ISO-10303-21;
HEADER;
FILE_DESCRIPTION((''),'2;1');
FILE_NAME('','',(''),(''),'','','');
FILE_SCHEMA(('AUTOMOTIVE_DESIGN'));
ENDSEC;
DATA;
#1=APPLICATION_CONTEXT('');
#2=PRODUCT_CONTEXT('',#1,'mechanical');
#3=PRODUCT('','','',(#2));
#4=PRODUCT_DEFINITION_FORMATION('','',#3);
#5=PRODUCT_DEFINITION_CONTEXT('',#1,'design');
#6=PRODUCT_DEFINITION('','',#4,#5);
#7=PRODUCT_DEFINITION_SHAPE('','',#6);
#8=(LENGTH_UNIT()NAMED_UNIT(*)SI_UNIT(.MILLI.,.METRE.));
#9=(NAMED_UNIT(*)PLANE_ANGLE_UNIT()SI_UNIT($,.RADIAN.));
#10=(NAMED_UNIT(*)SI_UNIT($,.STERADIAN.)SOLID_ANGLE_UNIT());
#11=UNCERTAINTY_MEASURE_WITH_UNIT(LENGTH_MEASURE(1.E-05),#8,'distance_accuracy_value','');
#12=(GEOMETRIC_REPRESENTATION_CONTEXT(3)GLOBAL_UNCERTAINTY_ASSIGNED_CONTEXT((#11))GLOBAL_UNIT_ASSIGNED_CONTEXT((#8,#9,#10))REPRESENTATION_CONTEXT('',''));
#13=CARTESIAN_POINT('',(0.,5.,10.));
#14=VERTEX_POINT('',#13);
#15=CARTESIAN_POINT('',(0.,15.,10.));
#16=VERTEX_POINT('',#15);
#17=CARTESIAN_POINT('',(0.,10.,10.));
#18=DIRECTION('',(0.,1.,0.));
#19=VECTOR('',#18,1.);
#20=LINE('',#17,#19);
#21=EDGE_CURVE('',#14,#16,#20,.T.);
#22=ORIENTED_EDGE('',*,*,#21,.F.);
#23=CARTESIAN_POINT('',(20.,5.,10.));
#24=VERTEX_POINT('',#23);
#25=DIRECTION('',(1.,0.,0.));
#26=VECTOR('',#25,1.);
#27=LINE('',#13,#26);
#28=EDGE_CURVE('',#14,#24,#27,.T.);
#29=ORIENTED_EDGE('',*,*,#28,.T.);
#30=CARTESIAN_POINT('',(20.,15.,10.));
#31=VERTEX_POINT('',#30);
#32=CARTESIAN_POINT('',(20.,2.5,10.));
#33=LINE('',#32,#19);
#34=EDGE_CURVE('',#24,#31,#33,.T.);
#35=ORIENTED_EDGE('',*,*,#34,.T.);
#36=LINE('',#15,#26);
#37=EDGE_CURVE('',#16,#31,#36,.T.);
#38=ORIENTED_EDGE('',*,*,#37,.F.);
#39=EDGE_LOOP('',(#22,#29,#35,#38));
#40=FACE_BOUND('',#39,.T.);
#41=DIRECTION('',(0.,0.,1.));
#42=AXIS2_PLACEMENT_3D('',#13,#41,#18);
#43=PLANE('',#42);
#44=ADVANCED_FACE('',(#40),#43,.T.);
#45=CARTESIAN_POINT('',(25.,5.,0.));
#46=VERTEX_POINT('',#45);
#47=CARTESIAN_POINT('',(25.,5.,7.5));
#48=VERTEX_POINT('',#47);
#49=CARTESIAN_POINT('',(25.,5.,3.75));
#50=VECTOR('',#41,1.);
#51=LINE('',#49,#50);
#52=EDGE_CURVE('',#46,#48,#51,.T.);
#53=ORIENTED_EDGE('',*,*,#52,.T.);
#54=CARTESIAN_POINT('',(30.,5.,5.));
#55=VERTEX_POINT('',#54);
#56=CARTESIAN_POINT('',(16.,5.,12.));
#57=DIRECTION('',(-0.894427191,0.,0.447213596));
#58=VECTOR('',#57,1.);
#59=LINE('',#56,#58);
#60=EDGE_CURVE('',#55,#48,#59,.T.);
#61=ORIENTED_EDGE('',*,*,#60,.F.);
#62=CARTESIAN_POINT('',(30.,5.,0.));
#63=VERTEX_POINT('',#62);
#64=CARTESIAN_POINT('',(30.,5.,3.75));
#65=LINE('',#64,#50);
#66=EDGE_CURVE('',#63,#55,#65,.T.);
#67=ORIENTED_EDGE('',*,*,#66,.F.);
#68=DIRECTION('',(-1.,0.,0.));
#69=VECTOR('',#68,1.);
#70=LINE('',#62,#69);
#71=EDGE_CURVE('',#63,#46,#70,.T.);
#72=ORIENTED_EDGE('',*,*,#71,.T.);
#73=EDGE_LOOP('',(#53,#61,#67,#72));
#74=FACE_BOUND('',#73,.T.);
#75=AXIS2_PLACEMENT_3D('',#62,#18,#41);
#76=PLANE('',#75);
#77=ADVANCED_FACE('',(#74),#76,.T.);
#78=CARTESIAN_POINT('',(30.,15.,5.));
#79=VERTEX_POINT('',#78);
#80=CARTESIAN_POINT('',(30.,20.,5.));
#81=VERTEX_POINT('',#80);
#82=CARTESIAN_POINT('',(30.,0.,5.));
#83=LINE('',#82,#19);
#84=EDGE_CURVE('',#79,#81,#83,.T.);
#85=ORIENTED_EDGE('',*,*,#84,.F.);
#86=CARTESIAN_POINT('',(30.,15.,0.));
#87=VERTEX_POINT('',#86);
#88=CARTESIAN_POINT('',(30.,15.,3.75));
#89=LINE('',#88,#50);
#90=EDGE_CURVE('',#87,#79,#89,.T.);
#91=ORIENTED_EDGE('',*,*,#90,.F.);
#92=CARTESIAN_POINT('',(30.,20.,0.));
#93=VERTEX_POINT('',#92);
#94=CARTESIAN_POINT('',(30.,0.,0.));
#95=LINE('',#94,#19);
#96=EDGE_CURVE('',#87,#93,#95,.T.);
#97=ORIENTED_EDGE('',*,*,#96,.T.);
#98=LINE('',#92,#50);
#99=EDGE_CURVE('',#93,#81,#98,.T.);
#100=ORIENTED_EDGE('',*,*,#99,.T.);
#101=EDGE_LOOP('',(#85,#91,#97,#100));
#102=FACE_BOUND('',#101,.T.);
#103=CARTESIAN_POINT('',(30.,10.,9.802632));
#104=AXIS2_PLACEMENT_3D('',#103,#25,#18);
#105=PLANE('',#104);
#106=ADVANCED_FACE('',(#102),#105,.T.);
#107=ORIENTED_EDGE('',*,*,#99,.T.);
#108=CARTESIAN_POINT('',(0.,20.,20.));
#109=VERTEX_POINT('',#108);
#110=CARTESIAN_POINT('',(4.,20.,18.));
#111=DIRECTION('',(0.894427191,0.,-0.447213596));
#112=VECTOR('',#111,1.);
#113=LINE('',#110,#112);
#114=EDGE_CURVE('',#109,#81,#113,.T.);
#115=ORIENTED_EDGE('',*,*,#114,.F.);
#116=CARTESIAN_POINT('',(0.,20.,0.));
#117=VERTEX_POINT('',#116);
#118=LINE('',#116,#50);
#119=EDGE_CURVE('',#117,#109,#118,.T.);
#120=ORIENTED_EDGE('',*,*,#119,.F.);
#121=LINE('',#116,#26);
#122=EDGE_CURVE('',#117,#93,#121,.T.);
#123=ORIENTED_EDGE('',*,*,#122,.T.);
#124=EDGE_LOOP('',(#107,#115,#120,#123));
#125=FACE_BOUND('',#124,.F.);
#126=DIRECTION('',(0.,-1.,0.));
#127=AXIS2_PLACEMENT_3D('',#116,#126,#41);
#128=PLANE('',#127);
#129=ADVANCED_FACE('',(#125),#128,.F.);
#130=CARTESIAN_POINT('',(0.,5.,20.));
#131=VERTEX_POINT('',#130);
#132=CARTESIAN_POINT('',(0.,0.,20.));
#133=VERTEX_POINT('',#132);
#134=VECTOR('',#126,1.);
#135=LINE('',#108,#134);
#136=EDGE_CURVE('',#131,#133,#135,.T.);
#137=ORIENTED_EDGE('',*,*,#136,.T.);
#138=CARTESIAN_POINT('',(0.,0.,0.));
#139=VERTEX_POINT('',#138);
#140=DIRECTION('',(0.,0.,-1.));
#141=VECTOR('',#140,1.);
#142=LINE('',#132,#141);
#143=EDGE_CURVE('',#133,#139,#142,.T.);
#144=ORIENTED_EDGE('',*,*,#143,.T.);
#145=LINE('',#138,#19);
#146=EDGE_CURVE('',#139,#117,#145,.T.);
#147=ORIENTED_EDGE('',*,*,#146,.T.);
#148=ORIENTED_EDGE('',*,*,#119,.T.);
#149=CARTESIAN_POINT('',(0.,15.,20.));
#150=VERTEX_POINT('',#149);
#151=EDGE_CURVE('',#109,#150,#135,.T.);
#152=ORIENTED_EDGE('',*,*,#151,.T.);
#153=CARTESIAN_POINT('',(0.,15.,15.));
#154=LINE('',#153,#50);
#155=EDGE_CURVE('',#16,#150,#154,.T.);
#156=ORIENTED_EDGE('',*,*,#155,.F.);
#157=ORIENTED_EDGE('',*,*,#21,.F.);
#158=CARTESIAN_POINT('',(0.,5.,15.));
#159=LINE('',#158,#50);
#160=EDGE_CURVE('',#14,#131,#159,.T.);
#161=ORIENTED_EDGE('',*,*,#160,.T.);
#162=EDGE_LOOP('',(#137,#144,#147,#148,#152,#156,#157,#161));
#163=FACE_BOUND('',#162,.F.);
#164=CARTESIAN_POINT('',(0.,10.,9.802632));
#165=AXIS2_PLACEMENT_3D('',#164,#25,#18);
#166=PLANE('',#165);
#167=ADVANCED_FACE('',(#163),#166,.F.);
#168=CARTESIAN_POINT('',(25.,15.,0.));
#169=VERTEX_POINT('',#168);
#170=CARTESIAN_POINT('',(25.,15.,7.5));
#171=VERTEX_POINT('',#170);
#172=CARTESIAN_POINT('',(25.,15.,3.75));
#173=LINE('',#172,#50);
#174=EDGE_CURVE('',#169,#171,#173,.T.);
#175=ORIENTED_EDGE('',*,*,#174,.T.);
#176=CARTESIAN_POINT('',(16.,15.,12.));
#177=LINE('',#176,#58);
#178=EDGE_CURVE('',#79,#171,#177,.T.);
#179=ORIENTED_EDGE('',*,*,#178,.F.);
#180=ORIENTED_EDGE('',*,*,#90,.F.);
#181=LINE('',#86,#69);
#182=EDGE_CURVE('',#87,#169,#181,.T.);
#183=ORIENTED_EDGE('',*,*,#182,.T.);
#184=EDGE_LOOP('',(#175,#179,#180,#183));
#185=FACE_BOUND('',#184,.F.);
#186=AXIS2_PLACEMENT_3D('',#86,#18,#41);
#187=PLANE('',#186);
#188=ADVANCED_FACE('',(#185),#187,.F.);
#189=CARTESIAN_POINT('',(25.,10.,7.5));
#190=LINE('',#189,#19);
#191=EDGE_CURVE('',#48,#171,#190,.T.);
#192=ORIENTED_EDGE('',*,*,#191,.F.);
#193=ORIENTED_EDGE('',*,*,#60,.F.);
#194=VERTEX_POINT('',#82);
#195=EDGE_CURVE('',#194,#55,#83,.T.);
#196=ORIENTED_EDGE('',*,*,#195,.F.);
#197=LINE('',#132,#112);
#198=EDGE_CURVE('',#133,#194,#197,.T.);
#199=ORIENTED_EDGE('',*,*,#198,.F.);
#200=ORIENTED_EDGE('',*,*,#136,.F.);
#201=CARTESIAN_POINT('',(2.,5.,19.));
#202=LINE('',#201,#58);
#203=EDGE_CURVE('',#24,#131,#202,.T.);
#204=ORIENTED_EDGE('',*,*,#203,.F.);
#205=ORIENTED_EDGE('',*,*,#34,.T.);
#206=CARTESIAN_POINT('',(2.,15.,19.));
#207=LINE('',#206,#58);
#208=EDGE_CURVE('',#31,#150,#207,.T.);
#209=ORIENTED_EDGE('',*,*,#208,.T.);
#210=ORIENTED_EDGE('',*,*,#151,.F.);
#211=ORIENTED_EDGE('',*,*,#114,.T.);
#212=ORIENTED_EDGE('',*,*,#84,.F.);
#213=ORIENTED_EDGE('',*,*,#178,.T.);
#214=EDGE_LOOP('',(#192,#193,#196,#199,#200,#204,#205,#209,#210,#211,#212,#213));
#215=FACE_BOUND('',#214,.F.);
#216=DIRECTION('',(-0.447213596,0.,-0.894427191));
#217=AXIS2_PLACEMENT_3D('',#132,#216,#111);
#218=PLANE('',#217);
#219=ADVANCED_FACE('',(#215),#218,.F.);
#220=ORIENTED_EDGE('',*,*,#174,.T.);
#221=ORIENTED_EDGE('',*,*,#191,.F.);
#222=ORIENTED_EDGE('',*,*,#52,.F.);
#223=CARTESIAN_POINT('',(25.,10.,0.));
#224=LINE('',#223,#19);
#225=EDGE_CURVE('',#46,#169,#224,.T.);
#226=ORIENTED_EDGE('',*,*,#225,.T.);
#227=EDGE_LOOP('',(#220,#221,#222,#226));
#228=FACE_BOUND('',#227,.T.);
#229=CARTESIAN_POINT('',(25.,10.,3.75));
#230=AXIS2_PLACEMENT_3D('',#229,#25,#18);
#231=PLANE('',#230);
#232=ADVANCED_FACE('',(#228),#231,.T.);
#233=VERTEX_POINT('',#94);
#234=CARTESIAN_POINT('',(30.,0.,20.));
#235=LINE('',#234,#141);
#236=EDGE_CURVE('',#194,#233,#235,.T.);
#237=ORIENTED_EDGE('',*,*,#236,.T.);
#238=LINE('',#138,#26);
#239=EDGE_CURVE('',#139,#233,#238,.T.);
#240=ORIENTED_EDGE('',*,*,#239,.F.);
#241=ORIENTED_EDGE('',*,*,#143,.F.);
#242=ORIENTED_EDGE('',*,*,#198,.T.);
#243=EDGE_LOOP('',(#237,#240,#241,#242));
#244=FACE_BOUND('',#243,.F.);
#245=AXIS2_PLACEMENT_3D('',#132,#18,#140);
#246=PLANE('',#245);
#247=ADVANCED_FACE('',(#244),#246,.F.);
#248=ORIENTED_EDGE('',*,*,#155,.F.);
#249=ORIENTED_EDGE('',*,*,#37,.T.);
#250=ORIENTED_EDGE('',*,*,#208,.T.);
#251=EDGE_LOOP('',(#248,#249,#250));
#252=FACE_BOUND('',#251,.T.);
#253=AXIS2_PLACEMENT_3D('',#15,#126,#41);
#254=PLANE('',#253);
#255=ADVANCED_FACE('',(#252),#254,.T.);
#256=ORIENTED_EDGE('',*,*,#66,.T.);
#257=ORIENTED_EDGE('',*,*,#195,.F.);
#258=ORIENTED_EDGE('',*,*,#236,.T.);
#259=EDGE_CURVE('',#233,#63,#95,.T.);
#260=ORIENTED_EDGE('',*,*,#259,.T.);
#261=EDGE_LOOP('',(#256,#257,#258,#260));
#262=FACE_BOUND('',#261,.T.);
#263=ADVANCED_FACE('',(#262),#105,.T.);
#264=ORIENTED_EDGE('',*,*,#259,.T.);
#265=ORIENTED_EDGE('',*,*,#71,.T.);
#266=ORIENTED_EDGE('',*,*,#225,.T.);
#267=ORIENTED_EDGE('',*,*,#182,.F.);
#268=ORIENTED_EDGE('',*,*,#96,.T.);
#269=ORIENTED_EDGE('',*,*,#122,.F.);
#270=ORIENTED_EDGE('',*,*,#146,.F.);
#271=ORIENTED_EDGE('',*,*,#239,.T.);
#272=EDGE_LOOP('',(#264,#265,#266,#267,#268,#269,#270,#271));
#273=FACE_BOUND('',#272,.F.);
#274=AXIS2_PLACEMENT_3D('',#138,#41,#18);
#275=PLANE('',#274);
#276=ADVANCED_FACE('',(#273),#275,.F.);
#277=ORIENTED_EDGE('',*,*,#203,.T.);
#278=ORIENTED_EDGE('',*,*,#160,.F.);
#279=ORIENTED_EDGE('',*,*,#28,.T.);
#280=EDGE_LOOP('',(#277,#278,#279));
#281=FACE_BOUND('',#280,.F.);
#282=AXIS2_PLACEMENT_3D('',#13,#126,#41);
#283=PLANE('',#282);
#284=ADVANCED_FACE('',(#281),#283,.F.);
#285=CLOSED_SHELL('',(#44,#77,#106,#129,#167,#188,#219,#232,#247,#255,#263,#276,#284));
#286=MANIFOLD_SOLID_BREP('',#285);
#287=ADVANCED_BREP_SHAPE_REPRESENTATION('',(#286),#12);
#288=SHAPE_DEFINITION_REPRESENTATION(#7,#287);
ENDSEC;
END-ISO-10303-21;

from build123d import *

# Parameters (mm, degrees)
F0_W     = 10
F0_H     = 7.5
F1_DEPTH = 30
F2_W     = 10
F2_H     = 7.5
F3_DEPTH = 5
F5_DEPTH = 20.001
F6_W     = 10
F6_H     = 10
F7_DEPTH = 30.001


with BuildPart() as f1:
    # F0 (on Right) → F1 (new body)
    with BuildSketch(Plane.YZ):
        Polygon((0, 20), (0, 0), (5, 0), (5, 7.5), (15, 7.5), (15, 0), (20, 0), (20, 20), align=None)
        with Locations((10, 3.75)):
            Rectangle(F0_W, F0_H)
    extrude(amount=F1_DEPTH)

    # F2 (on face) → F3 (cut)
    with BuildSketch(Plane.YZ.offset(30)):
        with Locations((10, 3.75)):
            Rectangle(F2_W, F2_H)
    extrude(amount=-F3_DEPTH, mode=Mode.SUBTRACT)

    # F4 (on face) → F5 (cut, through all)
    with BuildSketch(Plane.XZ):
        Polygon((0, 20), (30, 5), (30, 20), align=None)
    extrude(amount=-F5_DEPTH, mode=Mode.SUBTRACT)

    # F6 (on face) → F7 (cut, through all)
    with BuildSketch(Plane.YZ):
        with Locations((10, 15)):
            Rectangle(F6_W, F6_H)
    extrude(amount=F7_DEPTH, mode=Mode.SUBTRACT)


solid = f1.part
